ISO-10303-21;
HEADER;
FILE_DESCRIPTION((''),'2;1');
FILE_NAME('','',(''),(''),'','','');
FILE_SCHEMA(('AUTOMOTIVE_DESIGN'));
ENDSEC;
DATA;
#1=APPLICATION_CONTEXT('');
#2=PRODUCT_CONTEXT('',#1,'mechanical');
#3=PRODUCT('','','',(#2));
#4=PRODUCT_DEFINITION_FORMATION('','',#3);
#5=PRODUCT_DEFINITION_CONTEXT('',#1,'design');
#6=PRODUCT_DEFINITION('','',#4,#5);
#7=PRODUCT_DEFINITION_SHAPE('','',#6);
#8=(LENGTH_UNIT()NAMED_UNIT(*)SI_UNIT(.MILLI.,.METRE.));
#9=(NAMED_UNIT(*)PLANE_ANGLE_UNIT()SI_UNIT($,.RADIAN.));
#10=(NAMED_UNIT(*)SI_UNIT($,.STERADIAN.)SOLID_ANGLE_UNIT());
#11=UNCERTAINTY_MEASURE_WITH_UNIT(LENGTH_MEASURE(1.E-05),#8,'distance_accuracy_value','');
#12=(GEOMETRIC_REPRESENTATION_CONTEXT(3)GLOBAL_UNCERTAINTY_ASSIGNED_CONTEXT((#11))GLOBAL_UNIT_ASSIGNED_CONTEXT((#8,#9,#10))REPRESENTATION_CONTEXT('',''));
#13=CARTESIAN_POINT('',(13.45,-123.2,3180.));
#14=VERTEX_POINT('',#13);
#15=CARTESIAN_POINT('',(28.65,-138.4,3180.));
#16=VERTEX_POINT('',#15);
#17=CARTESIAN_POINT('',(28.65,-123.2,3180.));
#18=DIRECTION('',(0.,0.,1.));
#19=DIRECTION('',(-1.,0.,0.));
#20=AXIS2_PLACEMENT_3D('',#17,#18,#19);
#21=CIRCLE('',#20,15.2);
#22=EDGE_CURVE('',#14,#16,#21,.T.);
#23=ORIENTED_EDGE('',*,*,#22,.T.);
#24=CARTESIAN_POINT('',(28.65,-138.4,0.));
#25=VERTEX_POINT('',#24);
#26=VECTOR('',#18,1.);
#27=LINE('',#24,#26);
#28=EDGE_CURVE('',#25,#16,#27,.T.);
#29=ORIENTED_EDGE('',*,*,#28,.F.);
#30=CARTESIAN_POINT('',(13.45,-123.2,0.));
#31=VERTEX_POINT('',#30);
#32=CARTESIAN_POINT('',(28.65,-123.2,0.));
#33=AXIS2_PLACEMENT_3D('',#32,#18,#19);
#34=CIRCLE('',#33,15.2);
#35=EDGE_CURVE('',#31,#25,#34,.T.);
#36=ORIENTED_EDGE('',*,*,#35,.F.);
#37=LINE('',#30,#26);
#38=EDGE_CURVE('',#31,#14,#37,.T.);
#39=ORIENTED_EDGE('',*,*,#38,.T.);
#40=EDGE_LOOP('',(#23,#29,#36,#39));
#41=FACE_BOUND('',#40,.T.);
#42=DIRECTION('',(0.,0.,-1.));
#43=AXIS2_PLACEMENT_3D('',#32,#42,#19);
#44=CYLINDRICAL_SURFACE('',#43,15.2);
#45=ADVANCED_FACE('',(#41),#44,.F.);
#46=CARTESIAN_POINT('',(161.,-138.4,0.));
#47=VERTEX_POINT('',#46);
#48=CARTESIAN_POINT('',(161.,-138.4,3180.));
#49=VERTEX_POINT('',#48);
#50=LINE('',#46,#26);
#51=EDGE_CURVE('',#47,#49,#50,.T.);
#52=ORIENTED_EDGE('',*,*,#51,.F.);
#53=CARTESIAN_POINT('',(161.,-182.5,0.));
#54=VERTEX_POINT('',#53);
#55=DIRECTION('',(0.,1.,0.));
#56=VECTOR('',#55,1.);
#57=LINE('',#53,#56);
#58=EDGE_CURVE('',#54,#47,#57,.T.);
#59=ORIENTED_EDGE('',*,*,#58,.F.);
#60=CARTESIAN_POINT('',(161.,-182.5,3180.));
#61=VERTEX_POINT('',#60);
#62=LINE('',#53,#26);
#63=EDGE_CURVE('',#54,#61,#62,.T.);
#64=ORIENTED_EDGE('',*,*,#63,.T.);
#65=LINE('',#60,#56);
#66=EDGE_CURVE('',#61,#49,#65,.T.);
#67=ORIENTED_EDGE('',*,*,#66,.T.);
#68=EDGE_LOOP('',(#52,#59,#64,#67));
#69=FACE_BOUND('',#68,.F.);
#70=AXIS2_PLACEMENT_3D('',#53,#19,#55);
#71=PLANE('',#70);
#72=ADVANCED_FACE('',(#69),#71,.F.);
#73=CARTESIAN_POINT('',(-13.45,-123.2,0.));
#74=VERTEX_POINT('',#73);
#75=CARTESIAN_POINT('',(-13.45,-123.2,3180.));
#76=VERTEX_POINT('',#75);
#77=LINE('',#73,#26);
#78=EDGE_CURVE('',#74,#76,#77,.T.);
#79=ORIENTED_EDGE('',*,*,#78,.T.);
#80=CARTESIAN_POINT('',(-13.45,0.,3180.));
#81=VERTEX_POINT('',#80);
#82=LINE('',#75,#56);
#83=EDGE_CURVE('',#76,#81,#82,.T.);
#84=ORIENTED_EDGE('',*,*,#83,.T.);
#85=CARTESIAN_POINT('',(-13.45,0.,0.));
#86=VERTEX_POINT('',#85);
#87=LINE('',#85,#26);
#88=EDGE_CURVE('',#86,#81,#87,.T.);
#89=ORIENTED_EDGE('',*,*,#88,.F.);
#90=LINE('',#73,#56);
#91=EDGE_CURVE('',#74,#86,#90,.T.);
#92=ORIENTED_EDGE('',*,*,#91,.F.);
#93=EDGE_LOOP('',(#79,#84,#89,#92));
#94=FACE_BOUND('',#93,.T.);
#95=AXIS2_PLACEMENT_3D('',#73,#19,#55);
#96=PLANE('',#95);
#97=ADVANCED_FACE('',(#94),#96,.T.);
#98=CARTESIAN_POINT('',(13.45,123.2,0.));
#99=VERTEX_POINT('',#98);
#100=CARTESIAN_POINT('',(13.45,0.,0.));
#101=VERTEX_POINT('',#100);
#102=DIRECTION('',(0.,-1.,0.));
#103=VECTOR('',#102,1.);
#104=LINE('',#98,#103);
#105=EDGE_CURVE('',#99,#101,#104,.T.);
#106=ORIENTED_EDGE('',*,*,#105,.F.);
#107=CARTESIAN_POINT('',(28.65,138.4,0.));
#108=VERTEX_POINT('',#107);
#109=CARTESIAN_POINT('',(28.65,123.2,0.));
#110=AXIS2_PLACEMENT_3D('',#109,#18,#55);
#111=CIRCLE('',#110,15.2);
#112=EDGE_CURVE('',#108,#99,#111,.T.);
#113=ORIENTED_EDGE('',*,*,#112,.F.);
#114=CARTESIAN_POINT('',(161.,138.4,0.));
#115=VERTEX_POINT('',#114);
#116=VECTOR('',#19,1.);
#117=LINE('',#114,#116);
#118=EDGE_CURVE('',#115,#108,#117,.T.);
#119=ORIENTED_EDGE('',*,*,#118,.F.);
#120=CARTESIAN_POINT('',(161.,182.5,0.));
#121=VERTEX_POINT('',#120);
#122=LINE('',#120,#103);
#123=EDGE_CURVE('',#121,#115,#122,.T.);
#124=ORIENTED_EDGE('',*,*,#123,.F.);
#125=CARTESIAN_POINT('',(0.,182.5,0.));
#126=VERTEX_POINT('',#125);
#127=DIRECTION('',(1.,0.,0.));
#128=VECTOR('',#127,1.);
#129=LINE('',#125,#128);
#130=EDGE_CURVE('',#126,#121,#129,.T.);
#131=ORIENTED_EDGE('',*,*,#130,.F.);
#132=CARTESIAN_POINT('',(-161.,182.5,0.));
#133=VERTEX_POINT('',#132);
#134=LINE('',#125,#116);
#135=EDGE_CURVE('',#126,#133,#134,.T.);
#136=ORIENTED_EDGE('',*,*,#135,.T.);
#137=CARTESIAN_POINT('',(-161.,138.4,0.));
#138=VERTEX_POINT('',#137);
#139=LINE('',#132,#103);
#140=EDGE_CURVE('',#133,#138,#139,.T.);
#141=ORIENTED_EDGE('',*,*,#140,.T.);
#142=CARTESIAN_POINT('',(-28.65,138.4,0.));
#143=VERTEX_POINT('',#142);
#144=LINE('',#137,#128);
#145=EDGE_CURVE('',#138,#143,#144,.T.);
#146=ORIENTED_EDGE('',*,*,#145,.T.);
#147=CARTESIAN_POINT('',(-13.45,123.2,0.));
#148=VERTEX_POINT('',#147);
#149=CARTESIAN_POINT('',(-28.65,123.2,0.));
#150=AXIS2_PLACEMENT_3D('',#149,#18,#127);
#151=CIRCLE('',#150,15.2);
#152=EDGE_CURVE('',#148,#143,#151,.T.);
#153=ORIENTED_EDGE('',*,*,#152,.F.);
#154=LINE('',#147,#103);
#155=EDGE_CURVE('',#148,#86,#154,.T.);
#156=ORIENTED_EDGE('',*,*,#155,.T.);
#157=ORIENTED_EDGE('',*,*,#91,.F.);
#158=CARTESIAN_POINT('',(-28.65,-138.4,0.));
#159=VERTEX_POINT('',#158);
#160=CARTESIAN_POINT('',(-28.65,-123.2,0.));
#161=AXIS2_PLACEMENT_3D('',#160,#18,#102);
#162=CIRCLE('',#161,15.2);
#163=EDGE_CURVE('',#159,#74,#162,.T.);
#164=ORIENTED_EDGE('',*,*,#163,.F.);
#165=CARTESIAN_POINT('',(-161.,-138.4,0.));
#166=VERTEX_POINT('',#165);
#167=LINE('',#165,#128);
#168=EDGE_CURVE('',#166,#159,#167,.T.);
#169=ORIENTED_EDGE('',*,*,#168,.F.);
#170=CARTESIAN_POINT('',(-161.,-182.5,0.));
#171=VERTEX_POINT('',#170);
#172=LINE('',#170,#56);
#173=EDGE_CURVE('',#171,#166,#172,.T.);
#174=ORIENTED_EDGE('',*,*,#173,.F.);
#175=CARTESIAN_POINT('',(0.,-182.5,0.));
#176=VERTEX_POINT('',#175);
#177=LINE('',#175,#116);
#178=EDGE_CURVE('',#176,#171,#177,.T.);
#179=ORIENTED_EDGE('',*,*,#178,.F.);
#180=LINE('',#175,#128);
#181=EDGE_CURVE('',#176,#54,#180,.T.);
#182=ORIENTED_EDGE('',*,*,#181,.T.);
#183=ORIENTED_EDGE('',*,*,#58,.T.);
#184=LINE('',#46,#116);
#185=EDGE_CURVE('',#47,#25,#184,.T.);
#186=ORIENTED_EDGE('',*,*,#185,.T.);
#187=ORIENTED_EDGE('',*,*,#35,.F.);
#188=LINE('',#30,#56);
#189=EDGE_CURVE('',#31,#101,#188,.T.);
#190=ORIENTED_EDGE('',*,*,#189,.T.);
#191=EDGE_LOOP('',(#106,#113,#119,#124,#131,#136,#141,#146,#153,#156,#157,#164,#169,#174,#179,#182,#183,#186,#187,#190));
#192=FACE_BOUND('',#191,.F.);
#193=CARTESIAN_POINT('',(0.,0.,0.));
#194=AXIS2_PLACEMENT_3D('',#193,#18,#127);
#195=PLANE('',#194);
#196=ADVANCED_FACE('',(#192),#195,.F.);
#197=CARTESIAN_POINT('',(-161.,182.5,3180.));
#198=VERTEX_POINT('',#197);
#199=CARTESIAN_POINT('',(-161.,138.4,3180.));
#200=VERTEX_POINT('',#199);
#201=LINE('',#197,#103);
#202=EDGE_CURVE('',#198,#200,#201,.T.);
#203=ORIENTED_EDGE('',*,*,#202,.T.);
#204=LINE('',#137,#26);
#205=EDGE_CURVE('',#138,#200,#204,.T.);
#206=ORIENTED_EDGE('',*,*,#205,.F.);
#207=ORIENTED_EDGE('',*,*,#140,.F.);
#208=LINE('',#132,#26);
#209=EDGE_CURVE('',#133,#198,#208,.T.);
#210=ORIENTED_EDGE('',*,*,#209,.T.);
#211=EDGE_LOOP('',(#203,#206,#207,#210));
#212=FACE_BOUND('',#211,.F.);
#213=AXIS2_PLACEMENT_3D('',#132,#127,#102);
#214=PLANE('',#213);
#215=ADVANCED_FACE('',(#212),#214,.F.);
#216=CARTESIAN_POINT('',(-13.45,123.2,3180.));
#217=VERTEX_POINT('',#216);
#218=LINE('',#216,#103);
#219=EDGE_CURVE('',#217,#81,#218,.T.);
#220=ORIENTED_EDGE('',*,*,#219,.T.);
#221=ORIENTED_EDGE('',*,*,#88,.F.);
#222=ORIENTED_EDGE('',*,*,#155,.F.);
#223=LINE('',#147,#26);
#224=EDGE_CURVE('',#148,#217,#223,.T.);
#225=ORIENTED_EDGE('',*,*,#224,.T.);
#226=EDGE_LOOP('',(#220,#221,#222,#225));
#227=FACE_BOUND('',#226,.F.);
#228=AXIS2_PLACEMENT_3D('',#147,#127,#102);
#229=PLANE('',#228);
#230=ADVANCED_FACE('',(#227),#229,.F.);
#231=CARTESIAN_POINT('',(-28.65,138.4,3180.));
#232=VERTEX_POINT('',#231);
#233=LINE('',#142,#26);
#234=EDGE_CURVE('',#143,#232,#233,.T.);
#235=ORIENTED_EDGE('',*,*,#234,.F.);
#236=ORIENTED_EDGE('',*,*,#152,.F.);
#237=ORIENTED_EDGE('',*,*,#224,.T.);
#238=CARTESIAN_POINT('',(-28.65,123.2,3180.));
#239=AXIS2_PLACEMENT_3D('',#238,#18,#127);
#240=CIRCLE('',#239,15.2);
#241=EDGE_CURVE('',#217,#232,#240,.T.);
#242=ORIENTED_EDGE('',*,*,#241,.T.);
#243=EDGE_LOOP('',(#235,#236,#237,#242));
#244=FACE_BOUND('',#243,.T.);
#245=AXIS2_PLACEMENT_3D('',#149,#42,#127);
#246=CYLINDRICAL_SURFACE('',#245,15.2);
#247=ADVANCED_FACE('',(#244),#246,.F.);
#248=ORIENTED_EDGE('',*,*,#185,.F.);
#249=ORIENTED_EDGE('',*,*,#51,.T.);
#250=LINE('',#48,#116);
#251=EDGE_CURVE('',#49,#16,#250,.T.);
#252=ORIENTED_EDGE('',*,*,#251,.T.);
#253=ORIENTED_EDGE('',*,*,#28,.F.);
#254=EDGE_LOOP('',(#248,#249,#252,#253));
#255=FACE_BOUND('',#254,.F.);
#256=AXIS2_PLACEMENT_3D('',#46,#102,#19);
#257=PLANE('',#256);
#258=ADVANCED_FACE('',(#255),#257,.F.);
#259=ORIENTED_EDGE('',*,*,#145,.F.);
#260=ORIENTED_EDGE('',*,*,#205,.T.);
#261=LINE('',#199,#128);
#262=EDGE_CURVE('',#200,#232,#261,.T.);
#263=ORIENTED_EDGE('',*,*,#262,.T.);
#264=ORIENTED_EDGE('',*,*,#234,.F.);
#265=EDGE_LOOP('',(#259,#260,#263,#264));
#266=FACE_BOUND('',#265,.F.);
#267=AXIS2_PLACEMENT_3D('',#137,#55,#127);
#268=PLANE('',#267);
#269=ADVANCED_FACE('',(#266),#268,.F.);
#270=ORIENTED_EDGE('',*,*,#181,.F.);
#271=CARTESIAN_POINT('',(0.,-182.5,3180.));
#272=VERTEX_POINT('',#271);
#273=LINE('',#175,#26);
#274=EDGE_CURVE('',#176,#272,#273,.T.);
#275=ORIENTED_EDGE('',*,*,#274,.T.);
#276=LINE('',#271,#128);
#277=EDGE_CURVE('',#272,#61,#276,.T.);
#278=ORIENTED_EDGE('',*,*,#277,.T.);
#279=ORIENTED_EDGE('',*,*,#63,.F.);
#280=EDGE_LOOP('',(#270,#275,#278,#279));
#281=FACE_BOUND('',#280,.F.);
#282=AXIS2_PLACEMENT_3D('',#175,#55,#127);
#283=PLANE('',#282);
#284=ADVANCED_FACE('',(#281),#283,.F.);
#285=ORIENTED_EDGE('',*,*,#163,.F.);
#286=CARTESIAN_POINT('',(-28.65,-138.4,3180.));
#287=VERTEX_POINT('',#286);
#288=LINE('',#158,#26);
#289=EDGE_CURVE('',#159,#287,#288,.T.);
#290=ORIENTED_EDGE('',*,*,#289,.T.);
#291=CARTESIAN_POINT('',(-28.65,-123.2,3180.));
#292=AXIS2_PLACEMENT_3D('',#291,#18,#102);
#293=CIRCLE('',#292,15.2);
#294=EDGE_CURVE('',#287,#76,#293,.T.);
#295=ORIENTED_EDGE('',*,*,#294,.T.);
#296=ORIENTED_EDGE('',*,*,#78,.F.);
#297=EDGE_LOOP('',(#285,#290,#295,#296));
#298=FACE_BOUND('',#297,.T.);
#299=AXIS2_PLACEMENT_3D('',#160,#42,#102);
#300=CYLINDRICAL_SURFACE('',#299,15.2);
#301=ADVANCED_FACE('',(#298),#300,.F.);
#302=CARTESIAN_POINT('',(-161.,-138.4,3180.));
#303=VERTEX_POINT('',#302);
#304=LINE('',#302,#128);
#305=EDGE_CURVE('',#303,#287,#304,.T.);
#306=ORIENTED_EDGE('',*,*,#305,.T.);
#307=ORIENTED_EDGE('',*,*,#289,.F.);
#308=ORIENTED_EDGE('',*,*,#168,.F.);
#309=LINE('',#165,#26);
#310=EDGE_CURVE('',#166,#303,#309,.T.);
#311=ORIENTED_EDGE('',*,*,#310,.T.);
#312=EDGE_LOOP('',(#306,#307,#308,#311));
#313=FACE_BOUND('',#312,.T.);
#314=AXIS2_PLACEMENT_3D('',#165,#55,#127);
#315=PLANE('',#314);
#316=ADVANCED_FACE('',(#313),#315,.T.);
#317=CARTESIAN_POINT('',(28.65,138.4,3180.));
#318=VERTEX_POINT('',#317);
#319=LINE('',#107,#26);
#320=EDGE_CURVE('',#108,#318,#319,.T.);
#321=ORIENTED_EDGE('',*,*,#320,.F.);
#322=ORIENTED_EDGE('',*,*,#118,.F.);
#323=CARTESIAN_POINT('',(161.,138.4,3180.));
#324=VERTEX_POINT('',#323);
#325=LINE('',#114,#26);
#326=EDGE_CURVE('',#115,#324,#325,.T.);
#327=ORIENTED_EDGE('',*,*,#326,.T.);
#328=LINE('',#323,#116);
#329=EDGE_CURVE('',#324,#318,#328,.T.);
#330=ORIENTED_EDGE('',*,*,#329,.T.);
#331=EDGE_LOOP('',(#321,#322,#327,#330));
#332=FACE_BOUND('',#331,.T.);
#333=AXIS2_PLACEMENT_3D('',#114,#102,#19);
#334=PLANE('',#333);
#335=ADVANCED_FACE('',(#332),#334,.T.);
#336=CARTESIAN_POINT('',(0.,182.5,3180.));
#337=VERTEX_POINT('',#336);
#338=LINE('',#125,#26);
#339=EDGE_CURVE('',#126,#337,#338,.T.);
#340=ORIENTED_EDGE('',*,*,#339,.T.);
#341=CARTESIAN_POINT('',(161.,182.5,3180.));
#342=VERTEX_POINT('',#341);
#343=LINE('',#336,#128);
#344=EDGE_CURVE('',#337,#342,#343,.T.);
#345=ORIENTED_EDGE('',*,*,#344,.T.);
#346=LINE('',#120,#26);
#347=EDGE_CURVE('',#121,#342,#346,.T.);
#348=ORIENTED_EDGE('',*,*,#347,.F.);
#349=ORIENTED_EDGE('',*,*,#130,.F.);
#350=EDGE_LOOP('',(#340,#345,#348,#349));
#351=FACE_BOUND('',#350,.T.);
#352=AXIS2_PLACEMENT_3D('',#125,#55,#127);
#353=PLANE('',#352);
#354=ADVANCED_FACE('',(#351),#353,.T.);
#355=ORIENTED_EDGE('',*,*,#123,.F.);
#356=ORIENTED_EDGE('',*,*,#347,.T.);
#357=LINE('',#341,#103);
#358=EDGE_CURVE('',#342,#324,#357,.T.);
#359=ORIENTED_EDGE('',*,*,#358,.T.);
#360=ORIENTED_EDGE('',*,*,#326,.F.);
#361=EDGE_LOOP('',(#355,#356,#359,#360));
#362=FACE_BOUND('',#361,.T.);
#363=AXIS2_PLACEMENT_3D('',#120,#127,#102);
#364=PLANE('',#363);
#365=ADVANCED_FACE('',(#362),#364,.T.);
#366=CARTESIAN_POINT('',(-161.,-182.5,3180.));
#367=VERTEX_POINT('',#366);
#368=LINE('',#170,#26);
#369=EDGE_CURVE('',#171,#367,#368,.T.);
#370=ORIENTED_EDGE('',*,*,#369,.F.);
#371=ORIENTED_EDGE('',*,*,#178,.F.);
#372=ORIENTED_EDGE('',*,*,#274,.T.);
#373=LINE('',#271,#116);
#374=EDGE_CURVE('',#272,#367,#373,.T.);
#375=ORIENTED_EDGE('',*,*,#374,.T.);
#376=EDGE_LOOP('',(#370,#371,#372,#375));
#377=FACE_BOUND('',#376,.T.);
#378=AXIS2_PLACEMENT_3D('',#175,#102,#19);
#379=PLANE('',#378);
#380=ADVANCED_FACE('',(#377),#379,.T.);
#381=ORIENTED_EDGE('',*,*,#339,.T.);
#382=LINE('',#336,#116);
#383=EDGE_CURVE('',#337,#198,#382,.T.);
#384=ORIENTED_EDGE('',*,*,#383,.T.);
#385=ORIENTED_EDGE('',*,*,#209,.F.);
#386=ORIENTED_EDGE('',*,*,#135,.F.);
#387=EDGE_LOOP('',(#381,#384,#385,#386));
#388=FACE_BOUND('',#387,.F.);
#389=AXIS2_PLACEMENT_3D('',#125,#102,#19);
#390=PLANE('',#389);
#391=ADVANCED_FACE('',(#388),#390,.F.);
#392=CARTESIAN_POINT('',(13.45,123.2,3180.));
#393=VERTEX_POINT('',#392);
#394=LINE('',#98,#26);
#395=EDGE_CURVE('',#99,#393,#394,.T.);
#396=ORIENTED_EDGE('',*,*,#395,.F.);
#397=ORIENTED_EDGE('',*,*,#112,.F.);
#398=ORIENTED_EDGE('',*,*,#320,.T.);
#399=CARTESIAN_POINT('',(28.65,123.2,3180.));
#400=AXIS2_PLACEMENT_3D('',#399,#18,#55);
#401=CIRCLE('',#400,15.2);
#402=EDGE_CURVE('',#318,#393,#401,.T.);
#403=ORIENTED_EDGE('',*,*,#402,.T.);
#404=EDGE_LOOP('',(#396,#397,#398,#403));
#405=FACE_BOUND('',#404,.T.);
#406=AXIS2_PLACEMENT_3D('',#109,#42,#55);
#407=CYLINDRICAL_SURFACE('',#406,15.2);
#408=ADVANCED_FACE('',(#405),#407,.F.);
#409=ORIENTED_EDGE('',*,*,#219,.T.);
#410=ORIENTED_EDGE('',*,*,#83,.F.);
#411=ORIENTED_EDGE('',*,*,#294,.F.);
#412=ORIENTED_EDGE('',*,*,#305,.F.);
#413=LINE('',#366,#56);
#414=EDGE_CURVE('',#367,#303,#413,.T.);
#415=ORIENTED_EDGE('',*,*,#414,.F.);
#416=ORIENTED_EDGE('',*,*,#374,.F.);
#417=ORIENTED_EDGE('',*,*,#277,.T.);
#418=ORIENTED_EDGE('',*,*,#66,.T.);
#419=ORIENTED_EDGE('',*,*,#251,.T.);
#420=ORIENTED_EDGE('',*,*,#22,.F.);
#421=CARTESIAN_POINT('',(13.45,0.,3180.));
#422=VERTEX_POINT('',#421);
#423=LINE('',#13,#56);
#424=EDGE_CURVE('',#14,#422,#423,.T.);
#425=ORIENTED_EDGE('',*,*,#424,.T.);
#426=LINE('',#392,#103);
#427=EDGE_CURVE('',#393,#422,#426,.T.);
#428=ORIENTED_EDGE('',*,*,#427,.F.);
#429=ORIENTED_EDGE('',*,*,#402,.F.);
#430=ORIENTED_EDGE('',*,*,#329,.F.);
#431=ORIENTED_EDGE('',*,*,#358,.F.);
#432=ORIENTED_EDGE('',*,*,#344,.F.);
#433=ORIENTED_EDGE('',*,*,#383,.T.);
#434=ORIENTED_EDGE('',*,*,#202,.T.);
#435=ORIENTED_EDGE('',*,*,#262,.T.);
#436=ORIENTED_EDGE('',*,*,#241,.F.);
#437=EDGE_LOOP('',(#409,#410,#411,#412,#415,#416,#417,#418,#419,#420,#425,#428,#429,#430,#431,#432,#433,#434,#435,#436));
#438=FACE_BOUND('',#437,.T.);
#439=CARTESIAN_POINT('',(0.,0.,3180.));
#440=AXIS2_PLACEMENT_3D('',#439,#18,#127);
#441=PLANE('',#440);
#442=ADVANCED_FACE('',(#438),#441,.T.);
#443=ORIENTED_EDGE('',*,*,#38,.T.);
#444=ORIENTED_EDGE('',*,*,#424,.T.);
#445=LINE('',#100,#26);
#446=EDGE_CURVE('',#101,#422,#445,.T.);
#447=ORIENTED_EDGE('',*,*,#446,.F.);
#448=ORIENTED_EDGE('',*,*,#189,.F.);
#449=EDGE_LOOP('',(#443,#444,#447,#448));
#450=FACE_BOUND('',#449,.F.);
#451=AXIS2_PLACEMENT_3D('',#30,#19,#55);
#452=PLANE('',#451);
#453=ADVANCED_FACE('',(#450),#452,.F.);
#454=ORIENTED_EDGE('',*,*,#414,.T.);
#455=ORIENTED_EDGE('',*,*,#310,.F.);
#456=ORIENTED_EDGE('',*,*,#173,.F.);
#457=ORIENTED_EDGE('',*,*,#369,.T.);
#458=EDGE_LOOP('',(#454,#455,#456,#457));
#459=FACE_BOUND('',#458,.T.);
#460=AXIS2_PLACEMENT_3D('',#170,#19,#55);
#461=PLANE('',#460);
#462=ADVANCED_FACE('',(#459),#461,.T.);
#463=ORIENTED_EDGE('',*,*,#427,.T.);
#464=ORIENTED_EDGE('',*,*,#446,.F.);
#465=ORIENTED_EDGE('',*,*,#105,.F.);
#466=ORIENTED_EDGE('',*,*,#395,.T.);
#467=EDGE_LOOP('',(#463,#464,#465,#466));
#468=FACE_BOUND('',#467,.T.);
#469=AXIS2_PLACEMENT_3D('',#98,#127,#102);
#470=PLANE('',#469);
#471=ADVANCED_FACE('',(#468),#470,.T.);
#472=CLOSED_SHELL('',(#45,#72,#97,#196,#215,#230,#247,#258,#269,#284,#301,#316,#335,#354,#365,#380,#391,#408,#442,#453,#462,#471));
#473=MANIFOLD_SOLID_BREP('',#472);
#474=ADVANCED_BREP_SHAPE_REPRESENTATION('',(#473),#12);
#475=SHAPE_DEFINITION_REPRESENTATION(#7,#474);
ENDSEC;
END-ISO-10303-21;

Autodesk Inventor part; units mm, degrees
ref_plane "YZ Plane" through (0, 0, 0) normal (1, 0, 0) x (0, 1, 0)
ref_plane "Start plane" through (0, 0, 0) normal (0, 0, 1) x (1, 0, 0)
ref_plane "End plane" through (0, 0, 3180) normal (0, 0, 1) x (1, 0, 0)
sketch "Sketch" plane through (0, 0, 0) normal (0, 0, 1) x (1, 0, 0)
  line L0 (-161, -182.5) -> (-161, -138.4)
  line L1 (-161, -138.4) -> (-28.65, -138.4)
  line L2 (-13.45, -123.2) -> (-13.45, 0)
  line L3 (-13.45, 0) -> (0, 0) construction
  line L4 (0, 0) -> (0, -182.5) construction
  line L5 (0, -182.5) -> (-161, -182.5)
  line L6 (-60, 0) -> (80, 0) construction
  line L7 (0, -60) -> (0, 80) construction
  line L8 (161, -182.5) -> (161, -138.4)
  line L9 (161, -138.4) -> (28.65, -138.4)
  line L10 (13.45, -123.2) -> (13.45, 0)
  line L11 (13.45, 0) -> (0, 0) construction
  line L12 (0, -182.5) -> (161, -182.5)
  line L13 (-161, 182.5) -> (-161, 138.4)
  line L14 (-161, 138.4) -> (-28.65, 138.4)
  line L15 (-13.45, 123.2) -> (-13.45, 0)
  line L16 (0, 182.5) -> (-161, 182.5)
  line L17 (161, 182.5) -> (161, 138.4)
  line L18 (161, 138.4) -> (28.65, 138.4)
  line L19 (0, 182.5) -> (161, 182.5)
  line L20 (13.45, 123.2) -> (13.45, 0)
  arc A0 (-13.45, 123.2) -> (-28.65, 138.4) centre (-28.65, 123.2) ccw
  arc A1 (28.65, 138.4) -> (13.45, 123.2) centre (28.65, 123.2) ccw
  arc A2 (13.45, -123.2) -> (28.65, -138.4) centre (28.65, -123.2) ccw
  arc A3 (-28.65, -138.4) -> (-13.45, -123.2) centre (-28.65, -123.2) ccw
  line L21 (0, 108) -> (0, -88) construction
  line L22 (-88, 0) -> (108, 0) construction
  point P0 (-13.45, -138.4)
  point P1 (13.45, -138.4)
  point P2 (-13.45, 138.4)
  point P3 (13.45, 138.4)
  dimension "d1" = 182.5
  dimension "d2" = 44.1
  dimension "d3" = 161
  dimension "d4" = 13.45
  dimension "d10" = 15.2
extrude "Body" add sketch "Sketch" along normal up to surface (3180 mm away) from surface at 0
sketch "Sketch4" plane through (0, 0, 0) normal (0, 0, 1) x (1, 0, 0)
  line L0 (0, 0) -> (10, 0)
ref_plane "Work Plane3" through (0, 0, 0) normal (0, -1, 0) x (1, 0, 0)
sketch "Sketch5" plane through (0, 0, 0) normal (0, -1, 0) x (1, 0, 0)
  line L0 (-2, 0) -> (12, 0) projected
  line L1 (-2, 3180) -> (12, 3180) projected
  dimension "d14" = 3180
equation "\"d1\" = 0.5 * G_H"
equation "\"d2\" = G_T1"
equation "\"d3\" = 0.5 * G_W"
equation "\"d4\" = 0.5 * G_T"
equation "\"d10\" = G_IR"
equation "\"d5\" = G_L"
equation "\"G_W\" = 322"
equation "\"G_H\" = 365"
equation "\"G_T\" = 26.9"
equation "\"G_T1\" = 44.1"
equation "\"G_IR\" = 15.2"
equation "\"G_L\" = d14"
equation "\"G_OFFSET_START\" = 0"
equation "\"G_OFFSET_END\" = 0"
properties part number "AS 3679 - 310 UC - 283 - 3180" material "Steel, Mild"
